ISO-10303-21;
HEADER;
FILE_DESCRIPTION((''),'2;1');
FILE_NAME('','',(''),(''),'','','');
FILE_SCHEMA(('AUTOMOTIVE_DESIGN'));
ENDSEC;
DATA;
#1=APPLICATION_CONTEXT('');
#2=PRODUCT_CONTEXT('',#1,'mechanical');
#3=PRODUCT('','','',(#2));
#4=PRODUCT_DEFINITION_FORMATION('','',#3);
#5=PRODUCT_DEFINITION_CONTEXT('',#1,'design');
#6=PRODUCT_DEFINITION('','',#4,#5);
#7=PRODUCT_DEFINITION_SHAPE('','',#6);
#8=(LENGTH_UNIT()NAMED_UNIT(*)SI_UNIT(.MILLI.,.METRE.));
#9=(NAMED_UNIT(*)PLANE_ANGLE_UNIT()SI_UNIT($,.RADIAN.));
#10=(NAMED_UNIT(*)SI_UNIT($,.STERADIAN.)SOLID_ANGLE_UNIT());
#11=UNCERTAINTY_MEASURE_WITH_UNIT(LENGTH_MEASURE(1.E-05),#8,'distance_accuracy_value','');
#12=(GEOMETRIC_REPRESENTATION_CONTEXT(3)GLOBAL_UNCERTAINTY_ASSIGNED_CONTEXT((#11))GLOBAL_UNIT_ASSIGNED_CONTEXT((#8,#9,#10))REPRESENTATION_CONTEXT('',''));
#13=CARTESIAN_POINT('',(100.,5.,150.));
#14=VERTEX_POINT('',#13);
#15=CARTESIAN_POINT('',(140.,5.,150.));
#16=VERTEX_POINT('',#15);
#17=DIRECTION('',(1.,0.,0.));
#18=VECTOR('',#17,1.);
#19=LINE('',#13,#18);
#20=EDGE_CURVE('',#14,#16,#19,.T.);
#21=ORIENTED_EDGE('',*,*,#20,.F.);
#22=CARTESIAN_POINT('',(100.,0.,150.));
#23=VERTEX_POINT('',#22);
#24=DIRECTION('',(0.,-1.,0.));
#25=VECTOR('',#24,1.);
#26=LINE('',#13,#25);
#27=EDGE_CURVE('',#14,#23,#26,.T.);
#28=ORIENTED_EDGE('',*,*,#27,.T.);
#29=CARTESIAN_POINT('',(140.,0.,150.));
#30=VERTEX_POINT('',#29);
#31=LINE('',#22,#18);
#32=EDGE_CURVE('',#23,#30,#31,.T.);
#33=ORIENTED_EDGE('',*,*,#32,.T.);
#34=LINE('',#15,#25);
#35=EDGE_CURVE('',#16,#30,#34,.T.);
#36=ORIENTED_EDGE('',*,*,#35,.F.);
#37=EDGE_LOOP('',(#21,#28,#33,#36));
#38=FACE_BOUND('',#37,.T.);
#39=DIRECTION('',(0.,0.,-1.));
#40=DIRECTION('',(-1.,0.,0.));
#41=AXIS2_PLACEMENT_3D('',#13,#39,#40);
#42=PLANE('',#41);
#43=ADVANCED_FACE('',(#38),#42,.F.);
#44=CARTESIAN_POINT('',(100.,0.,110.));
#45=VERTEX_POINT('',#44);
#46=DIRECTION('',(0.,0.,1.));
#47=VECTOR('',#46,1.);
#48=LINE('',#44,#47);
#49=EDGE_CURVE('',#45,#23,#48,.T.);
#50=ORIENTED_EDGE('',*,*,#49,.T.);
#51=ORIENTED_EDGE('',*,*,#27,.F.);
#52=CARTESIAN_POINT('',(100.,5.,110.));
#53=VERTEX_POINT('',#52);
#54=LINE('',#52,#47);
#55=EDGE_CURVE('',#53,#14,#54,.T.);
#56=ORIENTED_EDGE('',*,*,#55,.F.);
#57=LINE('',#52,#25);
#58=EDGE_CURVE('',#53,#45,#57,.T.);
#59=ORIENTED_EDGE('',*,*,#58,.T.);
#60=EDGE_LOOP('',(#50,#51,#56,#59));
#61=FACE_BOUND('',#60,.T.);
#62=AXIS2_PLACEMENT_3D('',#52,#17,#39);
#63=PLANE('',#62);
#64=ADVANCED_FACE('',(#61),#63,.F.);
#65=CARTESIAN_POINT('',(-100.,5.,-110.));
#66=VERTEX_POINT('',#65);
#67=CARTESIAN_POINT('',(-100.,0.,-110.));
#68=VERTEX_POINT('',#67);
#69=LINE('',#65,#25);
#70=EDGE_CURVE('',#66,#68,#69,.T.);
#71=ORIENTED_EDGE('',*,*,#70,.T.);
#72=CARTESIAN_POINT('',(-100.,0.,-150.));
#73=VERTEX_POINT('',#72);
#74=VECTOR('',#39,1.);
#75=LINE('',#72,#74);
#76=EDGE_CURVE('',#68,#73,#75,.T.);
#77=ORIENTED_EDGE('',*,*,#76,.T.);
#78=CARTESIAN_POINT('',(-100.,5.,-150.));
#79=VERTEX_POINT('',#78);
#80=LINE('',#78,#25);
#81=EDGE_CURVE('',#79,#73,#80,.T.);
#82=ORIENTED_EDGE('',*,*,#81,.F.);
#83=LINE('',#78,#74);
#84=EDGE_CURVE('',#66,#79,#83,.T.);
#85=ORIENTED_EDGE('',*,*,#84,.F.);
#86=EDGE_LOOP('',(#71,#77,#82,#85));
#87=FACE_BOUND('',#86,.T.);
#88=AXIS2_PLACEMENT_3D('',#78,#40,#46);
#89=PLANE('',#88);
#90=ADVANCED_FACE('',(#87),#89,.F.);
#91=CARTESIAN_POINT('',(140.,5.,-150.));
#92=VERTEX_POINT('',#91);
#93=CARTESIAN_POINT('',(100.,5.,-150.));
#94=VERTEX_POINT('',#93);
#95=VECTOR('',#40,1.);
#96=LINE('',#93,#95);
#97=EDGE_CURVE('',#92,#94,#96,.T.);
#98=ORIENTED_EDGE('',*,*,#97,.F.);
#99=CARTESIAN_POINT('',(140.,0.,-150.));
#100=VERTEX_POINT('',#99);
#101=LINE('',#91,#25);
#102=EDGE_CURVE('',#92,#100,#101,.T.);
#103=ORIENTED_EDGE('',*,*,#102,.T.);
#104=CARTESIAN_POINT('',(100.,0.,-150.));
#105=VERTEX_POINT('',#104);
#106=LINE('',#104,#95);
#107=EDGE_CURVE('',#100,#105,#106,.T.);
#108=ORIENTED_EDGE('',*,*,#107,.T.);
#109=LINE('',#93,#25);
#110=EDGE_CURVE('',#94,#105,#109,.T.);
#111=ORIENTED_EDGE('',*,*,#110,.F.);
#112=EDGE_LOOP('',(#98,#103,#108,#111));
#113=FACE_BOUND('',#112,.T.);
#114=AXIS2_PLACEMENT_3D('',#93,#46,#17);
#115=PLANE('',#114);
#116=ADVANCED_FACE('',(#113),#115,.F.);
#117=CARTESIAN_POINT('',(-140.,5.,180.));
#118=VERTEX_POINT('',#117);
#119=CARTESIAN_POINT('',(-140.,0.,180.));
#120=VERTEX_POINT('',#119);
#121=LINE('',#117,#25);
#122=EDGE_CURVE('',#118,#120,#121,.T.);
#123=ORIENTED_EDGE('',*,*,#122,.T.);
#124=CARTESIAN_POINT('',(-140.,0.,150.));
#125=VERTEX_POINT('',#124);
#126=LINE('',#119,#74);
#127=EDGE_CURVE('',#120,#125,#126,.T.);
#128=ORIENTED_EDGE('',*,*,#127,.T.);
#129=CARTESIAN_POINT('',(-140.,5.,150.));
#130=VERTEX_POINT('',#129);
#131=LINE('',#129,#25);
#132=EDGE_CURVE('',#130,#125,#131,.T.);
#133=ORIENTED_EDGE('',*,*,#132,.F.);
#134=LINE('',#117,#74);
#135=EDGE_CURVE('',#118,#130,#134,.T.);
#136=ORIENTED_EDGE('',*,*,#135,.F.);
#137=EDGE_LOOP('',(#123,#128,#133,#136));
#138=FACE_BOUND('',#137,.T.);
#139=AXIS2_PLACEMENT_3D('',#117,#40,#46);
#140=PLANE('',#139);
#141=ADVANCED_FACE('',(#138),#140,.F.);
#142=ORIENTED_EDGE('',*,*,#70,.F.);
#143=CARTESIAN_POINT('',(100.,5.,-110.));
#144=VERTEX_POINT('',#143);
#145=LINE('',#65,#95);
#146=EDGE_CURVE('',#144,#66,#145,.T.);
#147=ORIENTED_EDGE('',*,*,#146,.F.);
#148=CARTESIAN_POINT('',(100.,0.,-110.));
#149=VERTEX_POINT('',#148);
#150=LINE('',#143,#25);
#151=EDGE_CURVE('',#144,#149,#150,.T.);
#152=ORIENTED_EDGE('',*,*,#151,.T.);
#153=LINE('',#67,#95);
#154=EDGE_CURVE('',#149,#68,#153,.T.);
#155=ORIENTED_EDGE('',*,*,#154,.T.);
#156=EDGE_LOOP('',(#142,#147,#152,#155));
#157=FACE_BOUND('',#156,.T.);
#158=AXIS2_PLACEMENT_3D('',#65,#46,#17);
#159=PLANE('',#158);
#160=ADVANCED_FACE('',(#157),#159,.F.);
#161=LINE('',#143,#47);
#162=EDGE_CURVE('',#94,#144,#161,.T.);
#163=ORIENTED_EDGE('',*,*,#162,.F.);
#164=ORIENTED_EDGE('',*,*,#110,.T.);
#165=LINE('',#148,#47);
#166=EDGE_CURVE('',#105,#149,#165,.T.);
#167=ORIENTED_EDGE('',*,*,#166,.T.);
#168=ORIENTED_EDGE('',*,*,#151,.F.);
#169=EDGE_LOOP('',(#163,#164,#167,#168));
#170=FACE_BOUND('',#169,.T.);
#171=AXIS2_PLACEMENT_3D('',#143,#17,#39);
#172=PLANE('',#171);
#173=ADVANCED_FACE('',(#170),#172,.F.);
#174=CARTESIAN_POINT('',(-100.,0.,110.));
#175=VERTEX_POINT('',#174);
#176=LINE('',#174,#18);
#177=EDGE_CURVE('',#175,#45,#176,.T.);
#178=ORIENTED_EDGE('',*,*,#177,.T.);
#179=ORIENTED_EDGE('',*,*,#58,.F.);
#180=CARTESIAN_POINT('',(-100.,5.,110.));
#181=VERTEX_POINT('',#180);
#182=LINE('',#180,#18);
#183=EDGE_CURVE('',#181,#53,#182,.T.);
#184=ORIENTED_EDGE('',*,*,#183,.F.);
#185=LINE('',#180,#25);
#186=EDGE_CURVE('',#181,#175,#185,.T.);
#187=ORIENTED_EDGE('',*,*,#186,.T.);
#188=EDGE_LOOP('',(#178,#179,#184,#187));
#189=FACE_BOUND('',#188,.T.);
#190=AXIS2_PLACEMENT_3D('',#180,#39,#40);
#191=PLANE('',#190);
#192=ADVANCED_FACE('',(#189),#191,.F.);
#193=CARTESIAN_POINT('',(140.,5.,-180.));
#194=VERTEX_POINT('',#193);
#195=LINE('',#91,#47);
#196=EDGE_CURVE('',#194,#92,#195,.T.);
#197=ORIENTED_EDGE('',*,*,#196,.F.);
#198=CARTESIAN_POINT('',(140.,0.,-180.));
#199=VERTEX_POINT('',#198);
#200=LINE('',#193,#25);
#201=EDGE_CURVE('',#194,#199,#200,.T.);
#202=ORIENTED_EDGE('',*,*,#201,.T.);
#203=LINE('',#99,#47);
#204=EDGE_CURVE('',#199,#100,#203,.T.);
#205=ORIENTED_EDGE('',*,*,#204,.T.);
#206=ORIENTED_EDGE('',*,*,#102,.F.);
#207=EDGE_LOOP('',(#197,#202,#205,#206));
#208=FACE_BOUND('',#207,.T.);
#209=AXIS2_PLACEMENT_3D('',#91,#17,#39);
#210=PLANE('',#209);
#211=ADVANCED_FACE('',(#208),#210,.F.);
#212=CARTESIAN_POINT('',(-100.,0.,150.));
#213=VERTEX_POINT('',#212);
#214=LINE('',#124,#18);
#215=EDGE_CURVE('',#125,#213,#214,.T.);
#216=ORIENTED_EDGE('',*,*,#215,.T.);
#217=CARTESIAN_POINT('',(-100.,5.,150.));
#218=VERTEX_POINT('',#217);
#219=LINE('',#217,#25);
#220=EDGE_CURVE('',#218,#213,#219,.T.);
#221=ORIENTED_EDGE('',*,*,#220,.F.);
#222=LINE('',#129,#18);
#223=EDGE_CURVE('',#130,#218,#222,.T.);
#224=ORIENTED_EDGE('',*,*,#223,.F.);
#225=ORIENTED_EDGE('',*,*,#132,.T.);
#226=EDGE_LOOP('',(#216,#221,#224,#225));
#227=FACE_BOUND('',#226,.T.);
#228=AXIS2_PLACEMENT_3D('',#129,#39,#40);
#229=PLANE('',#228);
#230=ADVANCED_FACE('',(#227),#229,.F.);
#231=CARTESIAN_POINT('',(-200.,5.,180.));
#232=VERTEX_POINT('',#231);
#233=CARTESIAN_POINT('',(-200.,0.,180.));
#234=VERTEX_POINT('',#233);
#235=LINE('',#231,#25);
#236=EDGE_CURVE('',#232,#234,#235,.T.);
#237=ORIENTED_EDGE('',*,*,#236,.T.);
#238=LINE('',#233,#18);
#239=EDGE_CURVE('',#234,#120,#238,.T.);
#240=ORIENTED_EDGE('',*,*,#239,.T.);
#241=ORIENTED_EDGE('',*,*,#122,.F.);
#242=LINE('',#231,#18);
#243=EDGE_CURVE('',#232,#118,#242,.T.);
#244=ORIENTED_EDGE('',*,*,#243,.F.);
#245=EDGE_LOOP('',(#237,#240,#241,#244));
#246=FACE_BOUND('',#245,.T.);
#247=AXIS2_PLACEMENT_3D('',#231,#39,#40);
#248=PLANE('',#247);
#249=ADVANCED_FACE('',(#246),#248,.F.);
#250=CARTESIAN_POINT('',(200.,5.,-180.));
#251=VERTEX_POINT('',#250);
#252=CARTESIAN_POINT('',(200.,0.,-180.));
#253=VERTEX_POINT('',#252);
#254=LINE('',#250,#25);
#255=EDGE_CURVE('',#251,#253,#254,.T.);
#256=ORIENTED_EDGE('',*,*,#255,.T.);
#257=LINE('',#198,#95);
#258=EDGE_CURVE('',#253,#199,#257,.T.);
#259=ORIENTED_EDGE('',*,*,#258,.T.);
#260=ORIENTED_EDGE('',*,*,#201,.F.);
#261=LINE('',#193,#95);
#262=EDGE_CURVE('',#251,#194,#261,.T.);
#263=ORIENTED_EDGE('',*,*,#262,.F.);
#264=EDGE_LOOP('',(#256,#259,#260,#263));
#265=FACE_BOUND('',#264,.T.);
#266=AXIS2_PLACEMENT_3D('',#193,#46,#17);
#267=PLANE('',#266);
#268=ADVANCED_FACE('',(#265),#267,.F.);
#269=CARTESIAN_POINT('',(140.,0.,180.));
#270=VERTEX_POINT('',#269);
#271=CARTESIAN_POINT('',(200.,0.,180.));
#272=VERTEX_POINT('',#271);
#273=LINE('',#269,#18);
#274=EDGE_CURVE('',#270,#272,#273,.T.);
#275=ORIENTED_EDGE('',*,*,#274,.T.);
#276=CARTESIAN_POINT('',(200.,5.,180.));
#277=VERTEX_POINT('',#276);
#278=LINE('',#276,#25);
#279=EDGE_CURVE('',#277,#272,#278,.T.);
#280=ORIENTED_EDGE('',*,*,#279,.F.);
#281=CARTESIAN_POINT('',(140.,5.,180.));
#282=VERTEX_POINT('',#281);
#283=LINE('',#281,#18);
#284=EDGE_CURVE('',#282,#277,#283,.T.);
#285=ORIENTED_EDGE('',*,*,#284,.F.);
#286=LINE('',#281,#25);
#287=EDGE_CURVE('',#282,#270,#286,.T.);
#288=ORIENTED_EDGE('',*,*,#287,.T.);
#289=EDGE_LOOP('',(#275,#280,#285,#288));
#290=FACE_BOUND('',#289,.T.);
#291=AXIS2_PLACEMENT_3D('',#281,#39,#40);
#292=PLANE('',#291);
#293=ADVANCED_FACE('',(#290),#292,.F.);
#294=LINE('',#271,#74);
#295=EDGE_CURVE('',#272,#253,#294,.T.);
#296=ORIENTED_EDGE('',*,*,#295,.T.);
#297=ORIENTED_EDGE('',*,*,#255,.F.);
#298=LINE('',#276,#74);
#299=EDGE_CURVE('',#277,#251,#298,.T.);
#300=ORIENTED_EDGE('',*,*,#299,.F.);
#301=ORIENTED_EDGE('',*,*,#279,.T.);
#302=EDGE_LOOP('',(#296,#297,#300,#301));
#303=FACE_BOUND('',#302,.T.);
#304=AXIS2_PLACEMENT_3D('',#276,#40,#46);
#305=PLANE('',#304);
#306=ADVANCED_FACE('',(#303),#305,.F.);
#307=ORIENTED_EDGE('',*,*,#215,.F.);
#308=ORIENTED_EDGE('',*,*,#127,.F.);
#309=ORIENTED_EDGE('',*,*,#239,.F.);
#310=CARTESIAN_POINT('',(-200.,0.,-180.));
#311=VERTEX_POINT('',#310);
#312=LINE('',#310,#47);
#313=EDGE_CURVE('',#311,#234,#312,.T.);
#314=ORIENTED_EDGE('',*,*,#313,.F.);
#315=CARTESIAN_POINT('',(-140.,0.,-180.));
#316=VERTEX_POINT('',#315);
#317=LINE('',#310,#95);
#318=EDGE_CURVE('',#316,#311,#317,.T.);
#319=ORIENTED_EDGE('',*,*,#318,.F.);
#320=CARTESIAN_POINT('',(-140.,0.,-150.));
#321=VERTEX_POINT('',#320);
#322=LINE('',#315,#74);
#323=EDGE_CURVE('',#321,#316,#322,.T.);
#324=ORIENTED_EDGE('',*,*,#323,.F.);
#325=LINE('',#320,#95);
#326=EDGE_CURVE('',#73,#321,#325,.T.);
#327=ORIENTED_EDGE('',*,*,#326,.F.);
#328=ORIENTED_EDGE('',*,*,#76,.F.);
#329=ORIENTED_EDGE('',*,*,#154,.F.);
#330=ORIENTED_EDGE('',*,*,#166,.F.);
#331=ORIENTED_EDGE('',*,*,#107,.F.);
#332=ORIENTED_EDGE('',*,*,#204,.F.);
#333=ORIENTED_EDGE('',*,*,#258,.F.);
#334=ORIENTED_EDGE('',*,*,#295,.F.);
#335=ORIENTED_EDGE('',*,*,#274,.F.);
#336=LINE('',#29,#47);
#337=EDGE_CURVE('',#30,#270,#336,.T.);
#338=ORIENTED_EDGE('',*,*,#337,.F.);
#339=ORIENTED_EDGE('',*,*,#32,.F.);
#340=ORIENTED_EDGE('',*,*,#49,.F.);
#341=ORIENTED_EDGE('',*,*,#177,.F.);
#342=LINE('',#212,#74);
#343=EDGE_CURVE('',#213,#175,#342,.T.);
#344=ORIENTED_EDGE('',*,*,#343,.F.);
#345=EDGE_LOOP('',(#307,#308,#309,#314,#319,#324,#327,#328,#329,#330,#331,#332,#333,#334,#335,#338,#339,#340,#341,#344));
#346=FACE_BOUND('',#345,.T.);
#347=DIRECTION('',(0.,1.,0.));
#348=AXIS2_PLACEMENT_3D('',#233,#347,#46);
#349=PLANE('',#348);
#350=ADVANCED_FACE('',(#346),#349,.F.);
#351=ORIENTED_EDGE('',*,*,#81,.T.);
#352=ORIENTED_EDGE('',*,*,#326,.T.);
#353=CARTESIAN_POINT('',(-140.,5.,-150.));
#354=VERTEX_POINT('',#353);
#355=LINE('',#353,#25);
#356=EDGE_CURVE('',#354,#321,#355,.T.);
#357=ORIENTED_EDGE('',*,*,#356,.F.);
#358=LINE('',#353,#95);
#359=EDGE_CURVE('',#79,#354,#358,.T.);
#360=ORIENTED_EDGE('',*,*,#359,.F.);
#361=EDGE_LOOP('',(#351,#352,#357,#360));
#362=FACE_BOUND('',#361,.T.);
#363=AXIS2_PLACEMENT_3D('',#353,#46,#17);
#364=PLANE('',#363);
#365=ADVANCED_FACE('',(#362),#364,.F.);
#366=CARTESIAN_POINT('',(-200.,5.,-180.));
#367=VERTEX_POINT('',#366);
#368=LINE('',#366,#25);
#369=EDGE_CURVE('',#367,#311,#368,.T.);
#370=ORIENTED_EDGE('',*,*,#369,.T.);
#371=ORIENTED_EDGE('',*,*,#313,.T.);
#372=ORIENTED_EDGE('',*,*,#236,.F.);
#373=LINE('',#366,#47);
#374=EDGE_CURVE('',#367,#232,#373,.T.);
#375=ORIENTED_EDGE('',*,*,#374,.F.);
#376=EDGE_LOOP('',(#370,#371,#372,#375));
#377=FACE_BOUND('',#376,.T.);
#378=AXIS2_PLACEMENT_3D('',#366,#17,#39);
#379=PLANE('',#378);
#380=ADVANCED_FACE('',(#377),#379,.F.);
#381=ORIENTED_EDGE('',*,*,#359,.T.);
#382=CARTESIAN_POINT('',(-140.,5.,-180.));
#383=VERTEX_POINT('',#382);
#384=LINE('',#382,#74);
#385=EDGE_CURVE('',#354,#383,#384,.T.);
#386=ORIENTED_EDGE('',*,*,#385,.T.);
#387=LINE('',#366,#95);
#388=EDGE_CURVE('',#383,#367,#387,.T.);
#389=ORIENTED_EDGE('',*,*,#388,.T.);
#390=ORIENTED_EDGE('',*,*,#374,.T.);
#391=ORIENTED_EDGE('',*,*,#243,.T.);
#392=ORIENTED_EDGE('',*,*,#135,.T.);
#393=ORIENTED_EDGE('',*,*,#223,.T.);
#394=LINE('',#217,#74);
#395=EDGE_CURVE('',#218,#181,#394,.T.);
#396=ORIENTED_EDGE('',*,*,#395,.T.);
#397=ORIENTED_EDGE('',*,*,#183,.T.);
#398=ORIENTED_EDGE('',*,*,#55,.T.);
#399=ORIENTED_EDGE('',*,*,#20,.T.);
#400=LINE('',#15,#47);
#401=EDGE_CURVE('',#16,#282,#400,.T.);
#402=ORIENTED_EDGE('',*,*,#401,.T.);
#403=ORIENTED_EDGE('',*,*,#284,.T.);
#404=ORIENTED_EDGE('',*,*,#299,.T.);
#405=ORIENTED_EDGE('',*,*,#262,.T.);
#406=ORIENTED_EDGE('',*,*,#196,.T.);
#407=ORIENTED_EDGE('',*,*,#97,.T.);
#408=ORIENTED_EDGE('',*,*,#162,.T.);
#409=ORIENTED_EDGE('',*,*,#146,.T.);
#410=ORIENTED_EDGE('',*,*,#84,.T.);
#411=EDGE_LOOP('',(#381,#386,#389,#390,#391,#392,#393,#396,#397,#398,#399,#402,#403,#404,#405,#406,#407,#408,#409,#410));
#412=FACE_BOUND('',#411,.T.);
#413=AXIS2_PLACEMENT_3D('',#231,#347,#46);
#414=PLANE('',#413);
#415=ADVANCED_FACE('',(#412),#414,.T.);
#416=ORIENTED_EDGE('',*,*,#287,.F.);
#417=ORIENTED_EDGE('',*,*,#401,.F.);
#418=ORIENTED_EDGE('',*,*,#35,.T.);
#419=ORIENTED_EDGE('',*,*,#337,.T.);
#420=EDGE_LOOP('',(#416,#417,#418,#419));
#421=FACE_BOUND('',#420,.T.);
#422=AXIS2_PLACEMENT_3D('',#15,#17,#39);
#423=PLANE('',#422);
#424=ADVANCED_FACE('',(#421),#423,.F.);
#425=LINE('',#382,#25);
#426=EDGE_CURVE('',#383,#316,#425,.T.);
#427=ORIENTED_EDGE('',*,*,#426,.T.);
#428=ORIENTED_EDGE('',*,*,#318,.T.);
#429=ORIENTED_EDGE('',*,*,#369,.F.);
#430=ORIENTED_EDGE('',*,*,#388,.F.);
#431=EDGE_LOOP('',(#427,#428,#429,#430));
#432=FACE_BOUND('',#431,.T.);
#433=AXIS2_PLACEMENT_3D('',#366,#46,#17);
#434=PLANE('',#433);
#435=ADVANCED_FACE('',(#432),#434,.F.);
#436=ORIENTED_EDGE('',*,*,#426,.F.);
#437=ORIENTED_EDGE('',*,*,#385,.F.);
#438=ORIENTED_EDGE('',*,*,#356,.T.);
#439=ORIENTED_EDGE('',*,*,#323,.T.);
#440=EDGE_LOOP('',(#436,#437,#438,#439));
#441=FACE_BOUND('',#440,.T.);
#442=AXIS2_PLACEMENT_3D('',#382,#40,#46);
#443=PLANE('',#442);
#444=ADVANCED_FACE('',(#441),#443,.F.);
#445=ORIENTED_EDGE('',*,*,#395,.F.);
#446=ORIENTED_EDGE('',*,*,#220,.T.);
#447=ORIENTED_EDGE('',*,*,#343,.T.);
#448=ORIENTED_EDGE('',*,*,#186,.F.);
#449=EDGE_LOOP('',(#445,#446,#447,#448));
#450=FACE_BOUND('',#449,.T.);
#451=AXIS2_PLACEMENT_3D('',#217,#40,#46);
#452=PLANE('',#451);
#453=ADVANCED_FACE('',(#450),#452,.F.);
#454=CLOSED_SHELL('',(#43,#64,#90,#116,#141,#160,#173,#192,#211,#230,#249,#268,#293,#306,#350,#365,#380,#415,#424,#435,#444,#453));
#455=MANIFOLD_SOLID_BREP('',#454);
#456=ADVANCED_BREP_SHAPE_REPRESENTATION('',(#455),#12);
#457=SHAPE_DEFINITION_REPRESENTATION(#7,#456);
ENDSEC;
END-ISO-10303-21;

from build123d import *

# Parameters (mm, degrees)
EXTRUDE_1_DEPTH = 5


with BuildPart() as part:
    # 草圖4 → 伸長1 (new body)
    with BuildSketch(Plane(origin=(0, 0, 0), x_dir=(1, 0, 0), z_dir=(0, 1, 0))):
        Polygon((-200, 180), (-140, 180), (-140, 150), (-100, 150), (-100, 110), (100, 110), (100, 150), (140, 150), (140, 180), (200, 180), (200, -180), (140, -180), (140, -150), (100, -150), (100, -110), (-100, -110), (-100, -150), (-140, -150), (-140, -180), (-200, -180), align=None)
    extrude(amount=EXTRUDE_1_DEPTH)


solid = part.part
